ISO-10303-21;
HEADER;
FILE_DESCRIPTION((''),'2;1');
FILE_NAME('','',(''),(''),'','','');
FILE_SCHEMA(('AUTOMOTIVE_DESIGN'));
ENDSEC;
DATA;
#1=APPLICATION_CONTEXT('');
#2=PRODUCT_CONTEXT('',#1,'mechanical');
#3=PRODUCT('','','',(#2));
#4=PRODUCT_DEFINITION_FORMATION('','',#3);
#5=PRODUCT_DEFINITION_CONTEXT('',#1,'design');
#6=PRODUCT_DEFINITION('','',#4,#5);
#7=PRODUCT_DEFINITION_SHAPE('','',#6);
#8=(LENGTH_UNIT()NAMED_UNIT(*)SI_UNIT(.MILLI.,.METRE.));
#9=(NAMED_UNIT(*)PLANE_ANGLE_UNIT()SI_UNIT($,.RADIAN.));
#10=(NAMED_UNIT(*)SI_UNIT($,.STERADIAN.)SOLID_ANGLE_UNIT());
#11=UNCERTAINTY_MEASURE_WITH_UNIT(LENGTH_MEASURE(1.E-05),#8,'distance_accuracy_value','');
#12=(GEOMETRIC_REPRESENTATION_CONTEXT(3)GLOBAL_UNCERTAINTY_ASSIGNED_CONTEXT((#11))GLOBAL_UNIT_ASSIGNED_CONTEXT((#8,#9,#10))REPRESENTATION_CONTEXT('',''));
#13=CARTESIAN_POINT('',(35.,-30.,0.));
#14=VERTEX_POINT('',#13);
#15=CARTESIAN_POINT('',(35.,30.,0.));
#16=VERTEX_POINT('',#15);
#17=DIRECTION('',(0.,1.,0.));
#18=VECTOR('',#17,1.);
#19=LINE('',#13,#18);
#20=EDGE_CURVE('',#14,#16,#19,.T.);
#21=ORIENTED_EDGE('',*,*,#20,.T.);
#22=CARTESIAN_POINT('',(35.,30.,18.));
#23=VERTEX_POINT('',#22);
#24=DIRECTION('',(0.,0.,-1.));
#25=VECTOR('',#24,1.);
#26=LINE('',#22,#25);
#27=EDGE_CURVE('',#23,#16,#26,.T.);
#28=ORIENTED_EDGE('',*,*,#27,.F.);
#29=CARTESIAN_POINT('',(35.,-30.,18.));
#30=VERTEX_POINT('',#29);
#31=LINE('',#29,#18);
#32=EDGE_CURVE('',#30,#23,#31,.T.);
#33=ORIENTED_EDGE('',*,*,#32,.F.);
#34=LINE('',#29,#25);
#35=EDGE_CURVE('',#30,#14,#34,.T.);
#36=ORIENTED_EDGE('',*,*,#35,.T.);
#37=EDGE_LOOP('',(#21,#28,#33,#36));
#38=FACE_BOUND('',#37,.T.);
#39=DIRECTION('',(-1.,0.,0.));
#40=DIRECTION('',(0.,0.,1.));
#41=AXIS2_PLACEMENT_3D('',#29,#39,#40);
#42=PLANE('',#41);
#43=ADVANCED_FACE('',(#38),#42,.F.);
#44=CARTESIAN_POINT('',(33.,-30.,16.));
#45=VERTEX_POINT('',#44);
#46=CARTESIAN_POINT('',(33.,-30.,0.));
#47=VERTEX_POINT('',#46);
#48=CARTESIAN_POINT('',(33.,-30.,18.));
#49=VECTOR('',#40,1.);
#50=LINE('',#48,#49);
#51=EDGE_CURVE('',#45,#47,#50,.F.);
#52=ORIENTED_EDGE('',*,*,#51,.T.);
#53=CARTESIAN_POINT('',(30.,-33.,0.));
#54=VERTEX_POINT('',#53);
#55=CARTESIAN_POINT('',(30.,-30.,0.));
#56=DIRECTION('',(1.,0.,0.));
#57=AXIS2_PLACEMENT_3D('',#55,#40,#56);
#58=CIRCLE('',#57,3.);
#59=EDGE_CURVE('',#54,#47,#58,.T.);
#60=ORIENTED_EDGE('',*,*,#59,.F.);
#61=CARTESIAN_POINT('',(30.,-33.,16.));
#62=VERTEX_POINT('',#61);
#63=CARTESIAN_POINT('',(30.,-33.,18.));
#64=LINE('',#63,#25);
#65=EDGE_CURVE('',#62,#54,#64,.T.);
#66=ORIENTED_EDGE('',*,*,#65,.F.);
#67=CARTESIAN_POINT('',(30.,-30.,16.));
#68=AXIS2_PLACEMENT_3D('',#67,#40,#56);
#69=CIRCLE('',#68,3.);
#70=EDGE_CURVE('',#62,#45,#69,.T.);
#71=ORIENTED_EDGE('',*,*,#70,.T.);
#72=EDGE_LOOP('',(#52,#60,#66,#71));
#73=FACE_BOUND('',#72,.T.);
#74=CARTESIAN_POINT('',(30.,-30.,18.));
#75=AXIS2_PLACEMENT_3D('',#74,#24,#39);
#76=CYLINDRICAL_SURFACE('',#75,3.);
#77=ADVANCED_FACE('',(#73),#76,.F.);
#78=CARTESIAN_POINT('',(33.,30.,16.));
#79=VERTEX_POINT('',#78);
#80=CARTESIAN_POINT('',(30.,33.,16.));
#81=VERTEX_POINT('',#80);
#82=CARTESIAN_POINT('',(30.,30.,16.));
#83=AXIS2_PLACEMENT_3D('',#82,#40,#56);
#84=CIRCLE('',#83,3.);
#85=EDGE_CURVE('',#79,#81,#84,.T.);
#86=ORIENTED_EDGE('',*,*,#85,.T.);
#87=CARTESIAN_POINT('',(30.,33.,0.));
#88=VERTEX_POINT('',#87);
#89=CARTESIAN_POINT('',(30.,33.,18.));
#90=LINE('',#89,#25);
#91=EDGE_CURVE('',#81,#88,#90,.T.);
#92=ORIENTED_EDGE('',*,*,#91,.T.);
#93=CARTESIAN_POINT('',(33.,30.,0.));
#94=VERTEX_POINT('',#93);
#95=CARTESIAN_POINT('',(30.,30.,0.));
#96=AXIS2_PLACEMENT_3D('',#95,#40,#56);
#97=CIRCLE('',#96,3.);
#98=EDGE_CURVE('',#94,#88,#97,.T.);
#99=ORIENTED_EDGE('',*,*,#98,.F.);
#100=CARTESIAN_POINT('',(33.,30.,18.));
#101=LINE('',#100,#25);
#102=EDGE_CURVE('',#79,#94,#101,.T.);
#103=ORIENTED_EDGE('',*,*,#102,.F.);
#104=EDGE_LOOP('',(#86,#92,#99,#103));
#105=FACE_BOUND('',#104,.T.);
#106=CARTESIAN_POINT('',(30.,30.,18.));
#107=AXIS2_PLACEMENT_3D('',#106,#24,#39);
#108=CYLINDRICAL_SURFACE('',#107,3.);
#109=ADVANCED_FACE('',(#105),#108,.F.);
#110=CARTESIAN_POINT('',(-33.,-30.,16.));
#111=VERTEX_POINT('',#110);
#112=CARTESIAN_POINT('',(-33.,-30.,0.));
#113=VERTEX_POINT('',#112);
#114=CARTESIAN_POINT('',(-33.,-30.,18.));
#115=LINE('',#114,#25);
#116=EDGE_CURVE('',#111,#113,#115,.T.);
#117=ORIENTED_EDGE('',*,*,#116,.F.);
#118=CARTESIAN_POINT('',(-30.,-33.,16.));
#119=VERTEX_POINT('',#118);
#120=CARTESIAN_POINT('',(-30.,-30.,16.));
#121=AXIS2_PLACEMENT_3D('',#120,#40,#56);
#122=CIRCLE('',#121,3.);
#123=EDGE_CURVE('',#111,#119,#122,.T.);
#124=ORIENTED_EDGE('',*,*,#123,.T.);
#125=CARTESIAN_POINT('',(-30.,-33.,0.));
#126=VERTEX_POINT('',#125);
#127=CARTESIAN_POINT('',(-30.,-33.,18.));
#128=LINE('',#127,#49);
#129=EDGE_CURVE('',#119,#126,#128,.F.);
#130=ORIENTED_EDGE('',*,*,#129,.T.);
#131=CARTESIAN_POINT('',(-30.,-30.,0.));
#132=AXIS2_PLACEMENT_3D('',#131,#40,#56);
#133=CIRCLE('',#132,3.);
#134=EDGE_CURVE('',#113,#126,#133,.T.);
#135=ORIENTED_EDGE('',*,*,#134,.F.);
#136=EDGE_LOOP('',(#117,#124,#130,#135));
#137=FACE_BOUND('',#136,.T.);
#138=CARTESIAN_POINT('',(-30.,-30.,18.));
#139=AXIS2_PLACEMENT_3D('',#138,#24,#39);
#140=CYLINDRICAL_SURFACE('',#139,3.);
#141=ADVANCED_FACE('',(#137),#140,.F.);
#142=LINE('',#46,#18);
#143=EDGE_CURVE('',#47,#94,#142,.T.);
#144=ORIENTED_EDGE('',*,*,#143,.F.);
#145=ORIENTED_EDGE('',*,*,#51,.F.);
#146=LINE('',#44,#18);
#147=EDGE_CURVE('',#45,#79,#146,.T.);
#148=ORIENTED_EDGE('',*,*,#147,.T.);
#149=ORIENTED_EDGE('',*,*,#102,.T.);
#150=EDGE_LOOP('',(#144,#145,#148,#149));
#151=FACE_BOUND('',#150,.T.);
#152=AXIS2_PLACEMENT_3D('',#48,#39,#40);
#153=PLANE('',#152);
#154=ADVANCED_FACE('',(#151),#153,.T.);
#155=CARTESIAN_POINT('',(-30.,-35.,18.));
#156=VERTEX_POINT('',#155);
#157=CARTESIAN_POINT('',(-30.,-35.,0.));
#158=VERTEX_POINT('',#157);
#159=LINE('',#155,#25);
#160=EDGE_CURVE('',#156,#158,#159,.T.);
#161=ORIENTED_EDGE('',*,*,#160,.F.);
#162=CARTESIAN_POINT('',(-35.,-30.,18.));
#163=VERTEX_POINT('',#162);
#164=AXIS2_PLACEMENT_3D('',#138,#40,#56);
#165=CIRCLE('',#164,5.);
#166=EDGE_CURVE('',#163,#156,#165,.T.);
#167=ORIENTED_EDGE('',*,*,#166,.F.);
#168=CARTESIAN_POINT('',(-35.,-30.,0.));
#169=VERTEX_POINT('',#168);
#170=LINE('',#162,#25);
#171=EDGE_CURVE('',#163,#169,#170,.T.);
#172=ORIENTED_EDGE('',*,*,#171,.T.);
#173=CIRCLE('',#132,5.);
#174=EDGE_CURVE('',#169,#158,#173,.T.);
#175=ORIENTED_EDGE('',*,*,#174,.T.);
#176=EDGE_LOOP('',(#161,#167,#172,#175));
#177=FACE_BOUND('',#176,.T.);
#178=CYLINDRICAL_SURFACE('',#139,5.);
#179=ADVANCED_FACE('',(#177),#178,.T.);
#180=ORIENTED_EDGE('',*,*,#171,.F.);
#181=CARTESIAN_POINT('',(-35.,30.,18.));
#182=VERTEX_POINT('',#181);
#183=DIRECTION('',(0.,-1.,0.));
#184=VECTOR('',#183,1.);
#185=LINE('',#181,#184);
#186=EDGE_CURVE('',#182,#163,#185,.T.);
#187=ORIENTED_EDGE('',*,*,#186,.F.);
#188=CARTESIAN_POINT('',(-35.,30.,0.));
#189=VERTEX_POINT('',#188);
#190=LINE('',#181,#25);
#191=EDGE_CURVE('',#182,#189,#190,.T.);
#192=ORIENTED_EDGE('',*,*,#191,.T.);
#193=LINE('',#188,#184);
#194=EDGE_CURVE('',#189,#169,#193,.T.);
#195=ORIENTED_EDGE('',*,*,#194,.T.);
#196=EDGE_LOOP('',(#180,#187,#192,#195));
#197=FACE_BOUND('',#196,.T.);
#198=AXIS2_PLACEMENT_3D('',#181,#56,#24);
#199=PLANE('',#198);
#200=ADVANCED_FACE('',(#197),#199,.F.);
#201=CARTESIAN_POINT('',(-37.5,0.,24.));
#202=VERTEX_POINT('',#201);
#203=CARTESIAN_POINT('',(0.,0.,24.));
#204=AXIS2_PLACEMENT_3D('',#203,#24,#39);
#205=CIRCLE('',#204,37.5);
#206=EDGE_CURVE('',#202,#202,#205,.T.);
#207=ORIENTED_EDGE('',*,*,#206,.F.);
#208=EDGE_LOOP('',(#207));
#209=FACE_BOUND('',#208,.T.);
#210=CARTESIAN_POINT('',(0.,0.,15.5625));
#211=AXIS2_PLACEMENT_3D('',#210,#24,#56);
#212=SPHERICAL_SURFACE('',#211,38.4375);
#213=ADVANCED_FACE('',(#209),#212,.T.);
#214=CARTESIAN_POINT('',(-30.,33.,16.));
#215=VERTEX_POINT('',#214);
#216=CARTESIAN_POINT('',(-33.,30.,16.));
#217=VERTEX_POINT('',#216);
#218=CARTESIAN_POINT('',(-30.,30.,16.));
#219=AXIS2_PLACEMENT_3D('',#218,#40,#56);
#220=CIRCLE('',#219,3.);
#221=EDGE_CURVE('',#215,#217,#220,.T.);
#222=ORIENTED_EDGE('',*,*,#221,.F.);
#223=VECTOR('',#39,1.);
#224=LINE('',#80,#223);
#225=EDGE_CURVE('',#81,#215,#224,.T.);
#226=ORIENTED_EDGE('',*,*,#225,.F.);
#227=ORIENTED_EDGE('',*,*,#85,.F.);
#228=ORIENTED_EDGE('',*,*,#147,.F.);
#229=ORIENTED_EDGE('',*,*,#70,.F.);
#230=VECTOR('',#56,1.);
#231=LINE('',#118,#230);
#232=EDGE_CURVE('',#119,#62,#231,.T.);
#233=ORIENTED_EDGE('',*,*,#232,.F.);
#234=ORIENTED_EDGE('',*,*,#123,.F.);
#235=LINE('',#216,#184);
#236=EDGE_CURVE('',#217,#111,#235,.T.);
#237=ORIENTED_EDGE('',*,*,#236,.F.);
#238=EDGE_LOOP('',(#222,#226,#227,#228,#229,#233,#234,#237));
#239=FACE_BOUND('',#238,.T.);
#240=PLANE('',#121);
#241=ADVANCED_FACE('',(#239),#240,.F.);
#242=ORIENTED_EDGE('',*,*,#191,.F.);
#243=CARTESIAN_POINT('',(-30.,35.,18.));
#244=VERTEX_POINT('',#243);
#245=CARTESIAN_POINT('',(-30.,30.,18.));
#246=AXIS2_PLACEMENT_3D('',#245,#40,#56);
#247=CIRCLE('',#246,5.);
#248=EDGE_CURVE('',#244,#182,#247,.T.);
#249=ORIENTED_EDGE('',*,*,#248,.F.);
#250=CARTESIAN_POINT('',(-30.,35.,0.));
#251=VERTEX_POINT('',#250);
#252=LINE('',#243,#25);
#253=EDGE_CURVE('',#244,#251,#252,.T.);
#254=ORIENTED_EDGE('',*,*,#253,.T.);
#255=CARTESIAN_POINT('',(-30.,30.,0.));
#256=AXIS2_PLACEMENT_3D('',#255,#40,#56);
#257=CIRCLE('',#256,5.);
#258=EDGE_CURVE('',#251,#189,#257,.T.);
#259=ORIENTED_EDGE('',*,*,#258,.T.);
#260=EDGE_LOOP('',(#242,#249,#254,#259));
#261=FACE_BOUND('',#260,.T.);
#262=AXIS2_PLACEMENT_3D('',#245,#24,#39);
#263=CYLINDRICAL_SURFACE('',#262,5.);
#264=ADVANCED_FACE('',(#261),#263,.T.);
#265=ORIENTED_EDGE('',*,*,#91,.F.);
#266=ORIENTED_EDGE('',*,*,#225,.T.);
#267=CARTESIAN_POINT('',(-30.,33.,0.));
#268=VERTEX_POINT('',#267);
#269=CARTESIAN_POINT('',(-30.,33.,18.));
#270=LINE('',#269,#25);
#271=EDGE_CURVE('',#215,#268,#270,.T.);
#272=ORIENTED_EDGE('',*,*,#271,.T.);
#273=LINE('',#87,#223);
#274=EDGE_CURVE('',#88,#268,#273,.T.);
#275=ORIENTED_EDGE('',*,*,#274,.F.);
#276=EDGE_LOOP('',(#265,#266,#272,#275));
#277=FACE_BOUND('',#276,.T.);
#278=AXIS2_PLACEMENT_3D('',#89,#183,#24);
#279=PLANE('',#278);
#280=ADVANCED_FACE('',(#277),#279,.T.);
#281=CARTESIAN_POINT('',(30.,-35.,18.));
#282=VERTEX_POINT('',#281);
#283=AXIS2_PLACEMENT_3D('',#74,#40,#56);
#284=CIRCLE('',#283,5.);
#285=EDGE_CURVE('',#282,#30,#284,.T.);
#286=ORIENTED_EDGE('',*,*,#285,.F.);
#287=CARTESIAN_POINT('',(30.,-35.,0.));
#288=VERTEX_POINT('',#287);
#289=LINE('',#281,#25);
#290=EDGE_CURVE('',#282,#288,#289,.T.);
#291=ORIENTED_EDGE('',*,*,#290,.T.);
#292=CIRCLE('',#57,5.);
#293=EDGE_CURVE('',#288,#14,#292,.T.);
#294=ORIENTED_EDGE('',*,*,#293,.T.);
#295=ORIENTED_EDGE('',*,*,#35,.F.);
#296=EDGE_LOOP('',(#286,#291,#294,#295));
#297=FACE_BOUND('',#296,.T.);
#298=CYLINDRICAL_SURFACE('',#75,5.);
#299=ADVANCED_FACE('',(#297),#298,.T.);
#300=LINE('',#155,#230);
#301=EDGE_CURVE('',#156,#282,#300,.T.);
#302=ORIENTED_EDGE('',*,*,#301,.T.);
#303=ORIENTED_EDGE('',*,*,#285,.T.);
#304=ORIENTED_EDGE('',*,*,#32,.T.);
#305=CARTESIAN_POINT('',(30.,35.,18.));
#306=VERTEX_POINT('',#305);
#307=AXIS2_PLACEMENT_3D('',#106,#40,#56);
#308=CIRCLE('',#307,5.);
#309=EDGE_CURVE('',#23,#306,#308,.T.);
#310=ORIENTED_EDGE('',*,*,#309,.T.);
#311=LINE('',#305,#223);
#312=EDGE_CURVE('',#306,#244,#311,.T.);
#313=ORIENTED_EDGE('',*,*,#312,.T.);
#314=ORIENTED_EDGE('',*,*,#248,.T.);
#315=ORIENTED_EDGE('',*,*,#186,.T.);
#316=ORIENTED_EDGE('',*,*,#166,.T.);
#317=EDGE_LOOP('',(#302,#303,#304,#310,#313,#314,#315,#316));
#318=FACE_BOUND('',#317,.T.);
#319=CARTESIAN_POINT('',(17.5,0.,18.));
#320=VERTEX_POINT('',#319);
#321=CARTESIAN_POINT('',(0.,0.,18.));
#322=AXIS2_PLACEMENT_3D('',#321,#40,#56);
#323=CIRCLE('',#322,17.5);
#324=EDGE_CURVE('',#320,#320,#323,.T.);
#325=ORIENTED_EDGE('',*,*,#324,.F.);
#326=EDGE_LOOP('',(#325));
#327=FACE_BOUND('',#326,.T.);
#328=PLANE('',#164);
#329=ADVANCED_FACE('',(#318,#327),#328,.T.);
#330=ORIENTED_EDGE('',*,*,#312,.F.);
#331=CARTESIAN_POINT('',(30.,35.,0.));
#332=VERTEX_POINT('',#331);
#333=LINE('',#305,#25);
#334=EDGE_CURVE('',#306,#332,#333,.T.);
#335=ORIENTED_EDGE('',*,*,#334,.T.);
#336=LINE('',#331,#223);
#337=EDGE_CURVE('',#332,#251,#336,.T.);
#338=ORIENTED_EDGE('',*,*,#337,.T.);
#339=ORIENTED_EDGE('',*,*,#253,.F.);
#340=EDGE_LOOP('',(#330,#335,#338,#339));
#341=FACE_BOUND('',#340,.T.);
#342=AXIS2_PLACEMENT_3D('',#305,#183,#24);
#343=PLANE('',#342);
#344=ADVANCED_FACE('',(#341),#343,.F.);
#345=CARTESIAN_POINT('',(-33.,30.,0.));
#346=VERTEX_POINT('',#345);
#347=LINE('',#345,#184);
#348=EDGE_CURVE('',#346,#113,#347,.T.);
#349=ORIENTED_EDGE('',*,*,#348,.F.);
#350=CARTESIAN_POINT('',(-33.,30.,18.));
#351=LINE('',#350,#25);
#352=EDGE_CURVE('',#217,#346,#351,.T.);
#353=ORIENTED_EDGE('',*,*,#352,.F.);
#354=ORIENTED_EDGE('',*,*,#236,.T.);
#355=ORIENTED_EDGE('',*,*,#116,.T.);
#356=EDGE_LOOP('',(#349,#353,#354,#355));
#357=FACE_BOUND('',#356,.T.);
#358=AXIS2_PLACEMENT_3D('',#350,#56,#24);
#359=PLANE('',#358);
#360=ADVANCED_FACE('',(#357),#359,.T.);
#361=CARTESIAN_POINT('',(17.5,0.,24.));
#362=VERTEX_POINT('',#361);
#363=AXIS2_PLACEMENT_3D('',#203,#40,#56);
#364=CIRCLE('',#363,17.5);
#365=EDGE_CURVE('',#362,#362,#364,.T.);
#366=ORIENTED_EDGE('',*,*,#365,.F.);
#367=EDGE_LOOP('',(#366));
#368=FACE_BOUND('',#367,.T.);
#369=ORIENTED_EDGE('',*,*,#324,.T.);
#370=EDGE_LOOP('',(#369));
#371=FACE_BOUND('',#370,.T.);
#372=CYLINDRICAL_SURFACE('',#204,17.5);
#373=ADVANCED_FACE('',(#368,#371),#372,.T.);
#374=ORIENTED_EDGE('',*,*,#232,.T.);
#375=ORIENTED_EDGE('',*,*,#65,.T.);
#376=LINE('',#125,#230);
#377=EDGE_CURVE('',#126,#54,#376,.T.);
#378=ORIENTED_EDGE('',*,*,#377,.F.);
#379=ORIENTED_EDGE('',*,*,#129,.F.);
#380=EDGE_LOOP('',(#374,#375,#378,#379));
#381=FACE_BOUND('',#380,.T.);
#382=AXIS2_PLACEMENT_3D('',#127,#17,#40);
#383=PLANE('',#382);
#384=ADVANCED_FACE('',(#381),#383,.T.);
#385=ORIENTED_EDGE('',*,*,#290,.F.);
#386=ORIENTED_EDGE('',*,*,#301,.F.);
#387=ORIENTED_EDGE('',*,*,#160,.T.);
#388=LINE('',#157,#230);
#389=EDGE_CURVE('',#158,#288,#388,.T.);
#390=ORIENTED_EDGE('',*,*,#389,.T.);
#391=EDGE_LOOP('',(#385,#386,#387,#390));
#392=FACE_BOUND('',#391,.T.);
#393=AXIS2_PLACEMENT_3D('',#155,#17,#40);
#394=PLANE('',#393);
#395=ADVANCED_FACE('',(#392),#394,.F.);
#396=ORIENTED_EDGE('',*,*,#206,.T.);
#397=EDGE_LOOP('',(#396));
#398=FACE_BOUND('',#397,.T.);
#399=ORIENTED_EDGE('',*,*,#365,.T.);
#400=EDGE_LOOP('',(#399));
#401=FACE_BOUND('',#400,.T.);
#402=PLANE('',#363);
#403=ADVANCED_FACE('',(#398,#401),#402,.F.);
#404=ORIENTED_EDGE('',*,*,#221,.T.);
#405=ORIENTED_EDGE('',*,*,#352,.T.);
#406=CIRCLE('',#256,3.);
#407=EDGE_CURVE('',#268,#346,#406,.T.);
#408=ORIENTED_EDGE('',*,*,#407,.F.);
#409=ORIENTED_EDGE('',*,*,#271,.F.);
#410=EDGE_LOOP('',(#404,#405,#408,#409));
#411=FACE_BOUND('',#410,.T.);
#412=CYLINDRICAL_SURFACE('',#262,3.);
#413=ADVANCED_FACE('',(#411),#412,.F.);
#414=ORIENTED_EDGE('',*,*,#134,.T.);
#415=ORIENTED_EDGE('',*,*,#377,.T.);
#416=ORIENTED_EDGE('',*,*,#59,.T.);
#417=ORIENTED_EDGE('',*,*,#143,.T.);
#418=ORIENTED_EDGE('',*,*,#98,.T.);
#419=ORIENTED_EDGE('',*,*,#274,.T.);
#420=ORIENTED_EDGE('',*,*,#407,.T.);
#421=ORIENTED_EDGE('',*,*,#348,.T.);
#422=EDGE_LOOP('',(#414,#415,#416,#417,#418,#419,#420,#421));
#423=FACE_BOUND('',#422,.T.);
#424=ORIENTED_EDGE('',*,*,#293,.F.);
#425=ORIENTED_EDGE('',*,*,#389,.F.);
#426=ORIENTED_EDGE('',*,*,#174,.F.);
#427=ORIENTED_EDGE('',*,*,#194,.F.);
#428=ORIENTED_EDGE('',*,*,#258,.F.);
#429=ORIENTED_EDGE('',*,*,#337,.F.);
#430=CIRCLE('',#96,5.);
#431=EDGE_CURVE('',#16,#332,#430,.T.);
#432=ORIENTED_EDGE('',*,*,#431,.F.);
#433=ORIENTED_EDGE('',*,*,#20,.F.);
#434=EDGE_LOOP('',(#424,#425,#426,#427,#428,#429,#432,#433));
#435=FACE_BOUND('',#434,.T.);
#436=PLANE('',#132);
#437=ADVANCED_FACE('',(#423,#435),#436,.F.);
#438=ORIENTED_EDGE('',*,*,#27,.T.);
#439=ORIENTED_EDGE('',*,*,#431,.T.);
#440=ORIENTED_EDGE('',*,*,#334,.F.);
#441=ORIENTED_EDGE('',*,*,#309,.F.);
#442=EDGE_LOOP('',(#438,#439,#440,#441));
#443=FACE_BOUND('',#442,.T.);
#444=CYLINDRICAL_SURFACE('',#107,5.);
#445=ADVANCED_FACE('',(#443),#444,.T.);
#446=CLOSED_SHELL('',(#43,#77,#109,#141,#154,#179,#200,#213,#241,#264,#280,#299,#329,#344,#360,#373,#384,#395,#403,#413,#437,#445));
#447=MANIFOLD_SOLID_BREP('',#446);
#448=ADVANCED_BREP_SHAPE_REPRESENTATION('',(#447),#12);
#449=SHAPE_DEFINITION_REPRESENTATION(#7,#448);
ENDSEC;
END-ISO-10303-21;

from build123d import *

# Parameters (mm, degrees)
AUFSATZ_LINEAR_AUSTRAGEN1_DEPTH = 18
WANDUNG1_T                      = -2
SKIZZE2_R                       = 17.5
AUFSATZ_LINEAR_AUSTRAGEN2_DEPTH = 6


with BuildPart() as part:
    # Skizze1 → Aufsatz-Linear austragen1 (new body)
    with BuildSketch(Plane.XY):
        with BuildLine():
            Line((-30, -35), (30, -35))
            ThreePointArc((30, -35), (33.535533906, -33.535533906), (35, -30))
            Line((35, -30), (35, 30))
            ThreePointArc((35, 30), (33.535533906, 33.535533906), (30, 35))
            Line((30, 35), (-30, 35))
            ThreePointArc((-30, 35), (-33.535533906, 33.535533906), (-35, 30))
            Line((-35, 30), (-35, -30))
            ThreePointArc((-35, -30), (-33.535533906, -33.535533906), (-30, -35))
        make_face()
    extrude(amount=AUFSATZ_LINEAR_AUSTRAGEN1_DEPTH)

    # Wandung1
    wandung1_openings = [part.faces().sort_by_distance(p)[0] for p in [
        (0, 0, 0),
    ]]
    offset(amount=WANDUNG1_T, openings=wandung1_openings, kind=Kind.INTERSECTION)

    # Skizze2 → Aufsatz-Linear austragen2 (add)
    with BuildSketch(Plane.XY.offset(18)):
        Circle(SKIZZE2_R)
    extrude(amount=AUFSATZ_LINEAR_AUSTRAGEN2_DEPTH)

    # Skizze3 → Rotation1 (revolve)
    with BuildSketch(Plane(origin=(0, 0, 0), x_dir=(1, 0, 0), z_dir=(0, 1, 0))):
        with BuildLine():
            Line((0, -24), (37.5, -24))
            ThreePointArc((37.5, -24), (24.01171589, -45.577144863), (0, -54))
            Line((0, -54), (0, -24))
        make_face()
    revolve(axis=Axis((0, 0, -8.721924789), (0, 0, 1)))


solid = part.part
